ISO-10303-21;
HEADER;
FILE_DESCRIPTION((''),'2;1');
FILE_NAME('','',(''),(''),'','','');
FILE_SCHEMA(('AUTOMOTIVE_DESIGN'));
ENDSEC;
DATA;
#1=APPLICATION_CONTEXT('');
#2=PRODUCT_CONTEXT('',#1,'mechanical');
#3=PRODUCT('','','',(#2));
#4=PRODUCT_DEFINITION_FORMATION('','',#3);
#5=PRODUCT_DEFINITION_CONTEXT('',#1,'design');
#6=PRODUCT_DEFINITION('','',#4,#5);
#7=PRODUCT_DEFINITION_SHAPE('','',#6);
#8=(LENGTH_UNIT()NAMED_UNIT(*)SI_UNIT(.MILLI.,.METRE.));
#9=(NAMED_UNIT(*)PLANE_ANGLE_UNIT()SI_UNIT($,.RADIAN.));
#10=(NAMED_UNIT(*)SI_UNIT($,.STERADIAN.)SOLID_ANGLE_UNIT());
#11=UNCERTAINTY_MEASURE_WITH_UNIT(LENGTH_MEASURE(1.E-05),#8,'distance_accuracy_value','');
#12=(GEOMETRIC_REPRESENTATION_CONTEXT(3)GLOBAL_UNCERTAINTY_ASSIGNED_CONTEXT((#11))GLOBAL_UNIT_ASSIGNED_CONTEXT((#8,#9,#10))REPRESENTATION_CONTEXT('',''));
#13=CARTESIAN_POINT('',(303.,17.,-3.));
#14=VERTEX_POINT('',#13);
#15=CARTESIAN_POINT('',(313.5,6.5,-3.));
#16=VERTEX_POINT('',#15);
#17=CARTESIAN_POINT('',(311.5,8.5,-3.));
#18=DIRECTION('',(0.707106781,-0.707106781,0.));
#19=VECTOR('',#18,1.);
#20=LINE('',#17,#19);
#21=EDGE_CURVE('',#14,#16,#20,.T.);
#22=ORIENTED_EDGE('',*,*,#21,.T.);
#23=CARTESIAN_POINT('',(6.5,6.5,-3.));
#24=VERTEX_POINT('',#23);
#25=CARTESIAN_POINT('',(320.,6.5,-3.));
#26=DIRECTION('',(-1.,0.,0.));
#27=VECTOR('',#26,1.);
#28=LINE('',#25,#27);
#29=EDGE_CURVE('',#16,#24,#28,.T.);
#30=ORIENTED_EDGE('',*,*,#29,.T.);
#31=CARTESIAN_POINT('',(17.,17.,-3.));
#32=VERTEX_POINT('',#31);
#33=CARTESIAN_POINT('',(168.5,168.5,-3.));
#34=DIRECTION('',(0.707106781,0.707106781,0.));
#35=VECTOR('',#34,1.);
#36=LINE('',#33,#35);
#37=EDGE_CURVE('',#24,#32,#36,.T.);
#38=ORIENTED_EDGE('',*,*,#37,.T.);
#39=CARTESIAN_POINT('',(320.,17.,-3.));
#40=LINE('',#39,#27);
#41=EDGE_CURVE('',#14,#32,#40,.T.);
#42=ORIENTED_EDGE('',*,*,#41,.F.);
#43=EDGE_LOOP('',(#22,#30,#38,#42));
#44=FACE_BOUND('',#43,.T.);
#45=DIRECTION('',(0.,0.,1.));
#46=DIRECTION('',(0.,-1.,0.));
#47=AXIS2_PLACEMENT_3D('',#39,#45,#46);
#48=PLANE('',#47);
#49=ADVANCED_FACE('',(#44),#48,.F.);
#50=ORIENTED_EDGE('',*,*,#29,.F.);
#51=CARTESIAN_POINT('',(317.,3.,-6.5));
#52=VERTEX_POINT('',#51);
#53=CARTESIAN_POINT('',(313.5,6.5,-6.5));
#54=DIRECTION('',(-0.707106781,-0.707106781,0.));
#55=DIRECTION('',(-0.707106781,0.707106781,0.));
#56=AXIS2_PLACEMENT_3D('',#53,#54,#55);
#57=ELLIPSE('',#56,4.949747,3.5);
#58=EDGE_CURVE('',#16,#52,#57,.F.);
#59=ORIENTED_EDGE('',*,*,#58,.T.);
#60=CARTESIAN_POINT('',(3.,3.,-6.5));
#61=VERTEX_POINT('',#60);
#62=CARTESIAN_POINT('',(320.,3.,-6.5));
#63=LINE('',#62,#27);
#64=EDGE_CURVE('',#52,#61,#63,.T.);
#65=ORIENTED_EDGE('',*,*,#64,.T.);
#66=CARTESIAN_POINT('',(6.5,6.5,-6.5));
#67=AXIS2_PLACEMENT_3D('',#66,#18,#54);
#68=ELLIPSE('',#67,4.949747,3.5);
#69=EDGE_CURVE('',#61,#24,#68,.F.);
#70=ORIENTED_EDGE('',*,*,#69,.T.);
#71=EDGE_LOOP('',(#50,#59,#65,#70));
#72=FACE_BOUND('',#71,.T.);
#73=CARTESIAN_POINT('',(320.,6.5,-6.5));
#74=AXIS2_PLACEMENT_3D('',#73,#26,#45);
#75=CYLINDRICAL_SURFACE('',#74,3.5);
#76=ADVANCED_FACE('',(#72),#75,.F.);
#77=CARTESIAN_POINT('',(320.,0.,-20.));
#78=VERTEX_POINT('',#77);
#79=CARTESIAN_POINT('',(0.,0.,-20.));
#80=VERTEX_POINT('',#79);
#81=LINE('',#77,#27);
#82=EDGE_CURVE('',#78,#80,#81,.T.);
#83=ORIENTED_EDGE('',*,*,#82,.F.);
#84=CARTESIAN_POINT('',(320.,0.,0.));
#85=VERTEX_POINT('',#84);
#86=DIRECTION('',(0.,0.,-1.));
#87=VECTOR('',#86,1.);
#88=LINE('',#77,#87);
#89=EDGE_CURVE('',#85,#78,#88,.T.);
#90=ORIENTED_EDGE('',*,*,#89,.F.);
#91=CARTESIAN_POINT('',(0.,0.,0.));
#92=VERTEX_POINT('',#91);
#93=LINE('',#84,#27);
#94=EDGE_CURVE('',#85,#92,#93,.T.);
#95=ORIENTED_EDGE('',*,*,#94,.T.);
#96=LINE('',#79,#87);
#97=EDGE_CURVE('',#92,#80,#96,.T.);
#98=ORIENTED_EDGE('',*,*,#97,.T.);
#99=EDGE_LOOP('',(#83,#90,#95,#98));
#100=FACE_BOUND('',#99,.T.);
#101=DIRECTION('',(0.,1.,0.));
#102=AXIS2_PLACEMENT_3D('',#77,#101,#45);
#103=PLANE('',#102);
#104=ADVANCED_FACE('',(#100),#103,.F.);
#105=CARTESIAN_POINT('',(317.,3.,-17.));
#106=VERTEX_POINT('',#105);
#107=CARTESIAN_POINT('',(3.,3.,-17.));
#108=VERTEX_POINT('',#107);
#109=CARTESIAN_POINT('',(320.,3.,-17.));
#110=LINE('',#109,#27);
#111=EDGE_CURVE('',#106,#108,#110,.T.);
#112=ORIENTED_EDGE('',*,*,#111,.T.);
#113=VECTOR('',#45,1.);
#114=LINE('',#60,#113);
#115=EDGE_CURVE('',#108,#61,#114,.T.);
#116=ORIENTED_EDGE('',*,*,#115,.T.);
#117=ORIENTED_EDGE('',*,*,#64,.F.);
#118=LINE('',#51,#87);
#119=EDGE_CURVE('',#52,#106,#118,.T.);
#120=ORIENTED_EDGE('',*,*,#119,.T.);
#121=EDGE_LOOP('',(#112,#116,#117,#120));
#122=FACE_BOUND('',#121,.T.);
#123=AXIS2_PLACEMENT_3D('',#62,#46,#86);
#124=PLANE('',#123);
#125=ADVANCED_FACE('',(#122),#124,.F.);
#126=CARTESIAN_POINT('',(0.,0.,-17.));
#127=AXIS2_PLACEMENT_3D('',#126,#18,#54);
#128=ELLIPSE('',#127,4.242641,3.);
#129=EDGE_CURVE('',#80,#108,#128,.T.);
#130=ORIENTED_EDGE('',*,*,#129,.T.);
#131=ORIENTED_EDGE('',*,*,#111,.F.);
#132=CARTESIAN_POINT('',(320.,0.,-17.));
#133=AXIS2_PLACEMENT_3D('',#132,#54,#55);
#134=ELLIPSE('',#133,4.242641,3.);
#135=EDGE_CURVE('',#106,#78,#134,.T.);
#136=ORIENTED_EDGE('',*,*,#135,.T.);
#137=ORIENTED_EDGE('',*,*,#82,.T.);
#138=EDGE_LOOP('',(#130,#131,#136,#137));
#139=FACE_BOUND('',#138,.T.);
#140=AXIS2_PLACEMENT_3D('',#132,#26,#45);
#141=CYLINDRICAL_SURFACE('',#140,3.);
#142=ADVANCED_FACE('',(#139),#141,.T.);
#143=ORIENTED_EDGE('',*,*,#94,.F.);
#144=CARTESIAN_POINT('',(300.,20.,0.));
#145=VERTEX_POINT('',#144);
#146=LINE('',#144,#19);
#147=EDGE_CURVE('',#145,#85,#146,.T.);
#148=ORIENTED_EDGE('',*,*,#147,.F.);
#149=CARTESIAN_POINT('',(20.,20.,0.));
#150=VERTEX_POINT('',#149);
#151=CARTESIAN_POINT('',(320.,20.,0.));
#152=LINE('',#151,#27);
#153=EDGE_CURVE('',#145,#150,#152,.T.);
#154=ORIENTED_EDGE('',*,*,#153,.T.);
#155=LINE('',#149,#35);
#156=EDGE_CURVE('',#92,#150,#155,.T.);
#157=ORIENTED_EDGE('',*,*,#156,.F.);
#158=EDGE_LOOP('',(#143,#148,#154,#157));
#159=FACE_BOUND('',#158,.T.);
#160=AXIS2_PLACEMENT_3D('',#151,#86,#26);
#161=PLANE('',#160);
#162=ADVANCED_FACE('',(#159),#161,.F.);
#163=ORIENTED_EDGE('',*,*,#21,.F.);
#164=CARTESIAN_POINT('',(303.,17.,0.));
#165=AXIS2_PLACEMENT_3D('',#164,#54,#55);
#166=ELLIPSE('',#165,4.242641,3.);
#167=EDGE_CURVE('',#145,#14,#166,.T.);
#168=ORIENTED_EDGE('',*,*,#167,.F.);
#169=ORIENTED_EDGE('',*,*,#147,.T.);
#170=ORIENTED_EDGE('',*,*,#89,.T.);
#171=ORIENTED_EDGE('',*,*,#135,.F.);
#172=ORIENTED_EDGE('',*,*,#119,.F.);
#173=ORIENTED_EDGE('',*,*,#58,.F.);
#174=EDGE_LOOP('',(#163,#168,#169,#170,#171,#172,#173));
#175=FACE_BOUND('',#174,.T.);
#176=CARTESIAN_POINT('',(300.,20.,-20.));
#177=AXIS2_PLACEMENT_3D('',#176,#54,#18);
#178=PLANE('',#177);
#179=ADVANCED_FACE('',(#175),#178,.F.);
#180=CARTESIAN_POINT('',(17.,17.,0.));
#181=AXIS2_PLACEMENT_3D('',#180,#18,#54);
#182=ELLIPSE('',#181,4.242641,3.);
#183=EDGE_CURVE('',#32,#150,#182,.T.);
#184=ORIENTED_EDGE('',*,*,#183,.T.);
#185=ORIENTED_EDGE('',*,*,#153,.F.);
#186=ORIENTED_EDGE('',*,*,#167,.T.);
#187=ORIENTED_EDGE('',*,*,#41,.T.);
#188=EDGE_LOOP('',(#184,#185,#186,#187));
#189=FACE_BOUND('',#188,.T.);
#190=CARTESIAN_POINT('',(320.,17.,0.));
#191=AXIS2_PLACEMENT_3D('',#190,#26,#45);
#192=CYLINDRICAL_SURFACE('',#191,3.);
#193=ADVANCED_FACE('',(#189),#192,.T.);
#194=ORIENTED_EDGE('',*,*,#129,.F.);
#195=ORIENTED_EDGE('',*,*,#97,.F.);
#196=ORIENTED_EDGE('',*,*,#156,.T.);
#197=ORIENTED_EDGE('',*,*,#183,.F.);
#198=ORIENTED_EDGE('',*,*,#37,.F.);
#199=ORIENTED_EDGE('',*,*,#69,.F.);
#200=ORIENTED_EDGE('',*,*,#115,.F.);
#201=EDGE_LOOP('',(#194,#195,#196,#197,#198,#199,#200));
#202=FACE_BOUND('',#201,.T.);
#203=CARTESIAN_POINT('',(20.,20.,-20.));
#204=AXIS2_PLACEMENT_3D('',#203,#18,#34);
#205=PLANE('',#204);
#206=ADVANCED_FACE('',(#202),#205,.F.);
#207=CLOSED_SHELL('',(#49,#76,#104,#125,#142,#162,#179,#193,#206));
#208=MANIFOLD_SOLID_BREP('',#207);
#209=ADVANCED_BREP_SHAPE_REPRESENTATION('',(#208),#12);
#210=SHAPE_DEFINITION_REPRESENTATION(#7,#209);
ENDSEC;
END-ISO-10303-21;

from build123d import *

# Parameters (mm, degrees)
L_ANGLE_EQUAL_20X20X3_1_DEPTH = 320
CUT_EXTRUDE1_DEPTH            = 322.247568084


with BuildPart() as part:
    # Sketch16 → L angle (equal) 20X20X3(1) (new body)
    with BuildSketch(Plane(origin=(0, 0, 0), x_dir=(0, 0, -1), z_dir=(1, 0, 0))):
        with BuildLine():
            Line((0, 20), (0, 0))
            Line((0, 0), (20, 0))
            ThreePointArc((20, 0), (19.121320344, 2.121320344), (17, 3))
            Line((17, 3), (6.5, 3))
            ThreePointArc((6.5, 3), (4.025126266, 4.025126266), (3, 6.5))
            Line((3, 6.5), (3, 17))
            ThreePointArc((3, 17), (2.121320344, 19.121320344), (0, 20))
        make_face()
    extrude(amount=L_ANGLE_EQUAL_20X20X3_1_DEPTH)

    # Sketch14 → Cut-Extrude1 (cut, through all)
    with BuildSketch(Plane.XY):
        Polygon((320, 0), (320, 20), (300, 20), align=None)
        Polygon((0, 20), (0, 0), (20, 20), align=None)
    extrude(amount=-CUT_EXTRUDE1_DEPTH, mode=Mode.SUBTRACT)


solid = part.part
